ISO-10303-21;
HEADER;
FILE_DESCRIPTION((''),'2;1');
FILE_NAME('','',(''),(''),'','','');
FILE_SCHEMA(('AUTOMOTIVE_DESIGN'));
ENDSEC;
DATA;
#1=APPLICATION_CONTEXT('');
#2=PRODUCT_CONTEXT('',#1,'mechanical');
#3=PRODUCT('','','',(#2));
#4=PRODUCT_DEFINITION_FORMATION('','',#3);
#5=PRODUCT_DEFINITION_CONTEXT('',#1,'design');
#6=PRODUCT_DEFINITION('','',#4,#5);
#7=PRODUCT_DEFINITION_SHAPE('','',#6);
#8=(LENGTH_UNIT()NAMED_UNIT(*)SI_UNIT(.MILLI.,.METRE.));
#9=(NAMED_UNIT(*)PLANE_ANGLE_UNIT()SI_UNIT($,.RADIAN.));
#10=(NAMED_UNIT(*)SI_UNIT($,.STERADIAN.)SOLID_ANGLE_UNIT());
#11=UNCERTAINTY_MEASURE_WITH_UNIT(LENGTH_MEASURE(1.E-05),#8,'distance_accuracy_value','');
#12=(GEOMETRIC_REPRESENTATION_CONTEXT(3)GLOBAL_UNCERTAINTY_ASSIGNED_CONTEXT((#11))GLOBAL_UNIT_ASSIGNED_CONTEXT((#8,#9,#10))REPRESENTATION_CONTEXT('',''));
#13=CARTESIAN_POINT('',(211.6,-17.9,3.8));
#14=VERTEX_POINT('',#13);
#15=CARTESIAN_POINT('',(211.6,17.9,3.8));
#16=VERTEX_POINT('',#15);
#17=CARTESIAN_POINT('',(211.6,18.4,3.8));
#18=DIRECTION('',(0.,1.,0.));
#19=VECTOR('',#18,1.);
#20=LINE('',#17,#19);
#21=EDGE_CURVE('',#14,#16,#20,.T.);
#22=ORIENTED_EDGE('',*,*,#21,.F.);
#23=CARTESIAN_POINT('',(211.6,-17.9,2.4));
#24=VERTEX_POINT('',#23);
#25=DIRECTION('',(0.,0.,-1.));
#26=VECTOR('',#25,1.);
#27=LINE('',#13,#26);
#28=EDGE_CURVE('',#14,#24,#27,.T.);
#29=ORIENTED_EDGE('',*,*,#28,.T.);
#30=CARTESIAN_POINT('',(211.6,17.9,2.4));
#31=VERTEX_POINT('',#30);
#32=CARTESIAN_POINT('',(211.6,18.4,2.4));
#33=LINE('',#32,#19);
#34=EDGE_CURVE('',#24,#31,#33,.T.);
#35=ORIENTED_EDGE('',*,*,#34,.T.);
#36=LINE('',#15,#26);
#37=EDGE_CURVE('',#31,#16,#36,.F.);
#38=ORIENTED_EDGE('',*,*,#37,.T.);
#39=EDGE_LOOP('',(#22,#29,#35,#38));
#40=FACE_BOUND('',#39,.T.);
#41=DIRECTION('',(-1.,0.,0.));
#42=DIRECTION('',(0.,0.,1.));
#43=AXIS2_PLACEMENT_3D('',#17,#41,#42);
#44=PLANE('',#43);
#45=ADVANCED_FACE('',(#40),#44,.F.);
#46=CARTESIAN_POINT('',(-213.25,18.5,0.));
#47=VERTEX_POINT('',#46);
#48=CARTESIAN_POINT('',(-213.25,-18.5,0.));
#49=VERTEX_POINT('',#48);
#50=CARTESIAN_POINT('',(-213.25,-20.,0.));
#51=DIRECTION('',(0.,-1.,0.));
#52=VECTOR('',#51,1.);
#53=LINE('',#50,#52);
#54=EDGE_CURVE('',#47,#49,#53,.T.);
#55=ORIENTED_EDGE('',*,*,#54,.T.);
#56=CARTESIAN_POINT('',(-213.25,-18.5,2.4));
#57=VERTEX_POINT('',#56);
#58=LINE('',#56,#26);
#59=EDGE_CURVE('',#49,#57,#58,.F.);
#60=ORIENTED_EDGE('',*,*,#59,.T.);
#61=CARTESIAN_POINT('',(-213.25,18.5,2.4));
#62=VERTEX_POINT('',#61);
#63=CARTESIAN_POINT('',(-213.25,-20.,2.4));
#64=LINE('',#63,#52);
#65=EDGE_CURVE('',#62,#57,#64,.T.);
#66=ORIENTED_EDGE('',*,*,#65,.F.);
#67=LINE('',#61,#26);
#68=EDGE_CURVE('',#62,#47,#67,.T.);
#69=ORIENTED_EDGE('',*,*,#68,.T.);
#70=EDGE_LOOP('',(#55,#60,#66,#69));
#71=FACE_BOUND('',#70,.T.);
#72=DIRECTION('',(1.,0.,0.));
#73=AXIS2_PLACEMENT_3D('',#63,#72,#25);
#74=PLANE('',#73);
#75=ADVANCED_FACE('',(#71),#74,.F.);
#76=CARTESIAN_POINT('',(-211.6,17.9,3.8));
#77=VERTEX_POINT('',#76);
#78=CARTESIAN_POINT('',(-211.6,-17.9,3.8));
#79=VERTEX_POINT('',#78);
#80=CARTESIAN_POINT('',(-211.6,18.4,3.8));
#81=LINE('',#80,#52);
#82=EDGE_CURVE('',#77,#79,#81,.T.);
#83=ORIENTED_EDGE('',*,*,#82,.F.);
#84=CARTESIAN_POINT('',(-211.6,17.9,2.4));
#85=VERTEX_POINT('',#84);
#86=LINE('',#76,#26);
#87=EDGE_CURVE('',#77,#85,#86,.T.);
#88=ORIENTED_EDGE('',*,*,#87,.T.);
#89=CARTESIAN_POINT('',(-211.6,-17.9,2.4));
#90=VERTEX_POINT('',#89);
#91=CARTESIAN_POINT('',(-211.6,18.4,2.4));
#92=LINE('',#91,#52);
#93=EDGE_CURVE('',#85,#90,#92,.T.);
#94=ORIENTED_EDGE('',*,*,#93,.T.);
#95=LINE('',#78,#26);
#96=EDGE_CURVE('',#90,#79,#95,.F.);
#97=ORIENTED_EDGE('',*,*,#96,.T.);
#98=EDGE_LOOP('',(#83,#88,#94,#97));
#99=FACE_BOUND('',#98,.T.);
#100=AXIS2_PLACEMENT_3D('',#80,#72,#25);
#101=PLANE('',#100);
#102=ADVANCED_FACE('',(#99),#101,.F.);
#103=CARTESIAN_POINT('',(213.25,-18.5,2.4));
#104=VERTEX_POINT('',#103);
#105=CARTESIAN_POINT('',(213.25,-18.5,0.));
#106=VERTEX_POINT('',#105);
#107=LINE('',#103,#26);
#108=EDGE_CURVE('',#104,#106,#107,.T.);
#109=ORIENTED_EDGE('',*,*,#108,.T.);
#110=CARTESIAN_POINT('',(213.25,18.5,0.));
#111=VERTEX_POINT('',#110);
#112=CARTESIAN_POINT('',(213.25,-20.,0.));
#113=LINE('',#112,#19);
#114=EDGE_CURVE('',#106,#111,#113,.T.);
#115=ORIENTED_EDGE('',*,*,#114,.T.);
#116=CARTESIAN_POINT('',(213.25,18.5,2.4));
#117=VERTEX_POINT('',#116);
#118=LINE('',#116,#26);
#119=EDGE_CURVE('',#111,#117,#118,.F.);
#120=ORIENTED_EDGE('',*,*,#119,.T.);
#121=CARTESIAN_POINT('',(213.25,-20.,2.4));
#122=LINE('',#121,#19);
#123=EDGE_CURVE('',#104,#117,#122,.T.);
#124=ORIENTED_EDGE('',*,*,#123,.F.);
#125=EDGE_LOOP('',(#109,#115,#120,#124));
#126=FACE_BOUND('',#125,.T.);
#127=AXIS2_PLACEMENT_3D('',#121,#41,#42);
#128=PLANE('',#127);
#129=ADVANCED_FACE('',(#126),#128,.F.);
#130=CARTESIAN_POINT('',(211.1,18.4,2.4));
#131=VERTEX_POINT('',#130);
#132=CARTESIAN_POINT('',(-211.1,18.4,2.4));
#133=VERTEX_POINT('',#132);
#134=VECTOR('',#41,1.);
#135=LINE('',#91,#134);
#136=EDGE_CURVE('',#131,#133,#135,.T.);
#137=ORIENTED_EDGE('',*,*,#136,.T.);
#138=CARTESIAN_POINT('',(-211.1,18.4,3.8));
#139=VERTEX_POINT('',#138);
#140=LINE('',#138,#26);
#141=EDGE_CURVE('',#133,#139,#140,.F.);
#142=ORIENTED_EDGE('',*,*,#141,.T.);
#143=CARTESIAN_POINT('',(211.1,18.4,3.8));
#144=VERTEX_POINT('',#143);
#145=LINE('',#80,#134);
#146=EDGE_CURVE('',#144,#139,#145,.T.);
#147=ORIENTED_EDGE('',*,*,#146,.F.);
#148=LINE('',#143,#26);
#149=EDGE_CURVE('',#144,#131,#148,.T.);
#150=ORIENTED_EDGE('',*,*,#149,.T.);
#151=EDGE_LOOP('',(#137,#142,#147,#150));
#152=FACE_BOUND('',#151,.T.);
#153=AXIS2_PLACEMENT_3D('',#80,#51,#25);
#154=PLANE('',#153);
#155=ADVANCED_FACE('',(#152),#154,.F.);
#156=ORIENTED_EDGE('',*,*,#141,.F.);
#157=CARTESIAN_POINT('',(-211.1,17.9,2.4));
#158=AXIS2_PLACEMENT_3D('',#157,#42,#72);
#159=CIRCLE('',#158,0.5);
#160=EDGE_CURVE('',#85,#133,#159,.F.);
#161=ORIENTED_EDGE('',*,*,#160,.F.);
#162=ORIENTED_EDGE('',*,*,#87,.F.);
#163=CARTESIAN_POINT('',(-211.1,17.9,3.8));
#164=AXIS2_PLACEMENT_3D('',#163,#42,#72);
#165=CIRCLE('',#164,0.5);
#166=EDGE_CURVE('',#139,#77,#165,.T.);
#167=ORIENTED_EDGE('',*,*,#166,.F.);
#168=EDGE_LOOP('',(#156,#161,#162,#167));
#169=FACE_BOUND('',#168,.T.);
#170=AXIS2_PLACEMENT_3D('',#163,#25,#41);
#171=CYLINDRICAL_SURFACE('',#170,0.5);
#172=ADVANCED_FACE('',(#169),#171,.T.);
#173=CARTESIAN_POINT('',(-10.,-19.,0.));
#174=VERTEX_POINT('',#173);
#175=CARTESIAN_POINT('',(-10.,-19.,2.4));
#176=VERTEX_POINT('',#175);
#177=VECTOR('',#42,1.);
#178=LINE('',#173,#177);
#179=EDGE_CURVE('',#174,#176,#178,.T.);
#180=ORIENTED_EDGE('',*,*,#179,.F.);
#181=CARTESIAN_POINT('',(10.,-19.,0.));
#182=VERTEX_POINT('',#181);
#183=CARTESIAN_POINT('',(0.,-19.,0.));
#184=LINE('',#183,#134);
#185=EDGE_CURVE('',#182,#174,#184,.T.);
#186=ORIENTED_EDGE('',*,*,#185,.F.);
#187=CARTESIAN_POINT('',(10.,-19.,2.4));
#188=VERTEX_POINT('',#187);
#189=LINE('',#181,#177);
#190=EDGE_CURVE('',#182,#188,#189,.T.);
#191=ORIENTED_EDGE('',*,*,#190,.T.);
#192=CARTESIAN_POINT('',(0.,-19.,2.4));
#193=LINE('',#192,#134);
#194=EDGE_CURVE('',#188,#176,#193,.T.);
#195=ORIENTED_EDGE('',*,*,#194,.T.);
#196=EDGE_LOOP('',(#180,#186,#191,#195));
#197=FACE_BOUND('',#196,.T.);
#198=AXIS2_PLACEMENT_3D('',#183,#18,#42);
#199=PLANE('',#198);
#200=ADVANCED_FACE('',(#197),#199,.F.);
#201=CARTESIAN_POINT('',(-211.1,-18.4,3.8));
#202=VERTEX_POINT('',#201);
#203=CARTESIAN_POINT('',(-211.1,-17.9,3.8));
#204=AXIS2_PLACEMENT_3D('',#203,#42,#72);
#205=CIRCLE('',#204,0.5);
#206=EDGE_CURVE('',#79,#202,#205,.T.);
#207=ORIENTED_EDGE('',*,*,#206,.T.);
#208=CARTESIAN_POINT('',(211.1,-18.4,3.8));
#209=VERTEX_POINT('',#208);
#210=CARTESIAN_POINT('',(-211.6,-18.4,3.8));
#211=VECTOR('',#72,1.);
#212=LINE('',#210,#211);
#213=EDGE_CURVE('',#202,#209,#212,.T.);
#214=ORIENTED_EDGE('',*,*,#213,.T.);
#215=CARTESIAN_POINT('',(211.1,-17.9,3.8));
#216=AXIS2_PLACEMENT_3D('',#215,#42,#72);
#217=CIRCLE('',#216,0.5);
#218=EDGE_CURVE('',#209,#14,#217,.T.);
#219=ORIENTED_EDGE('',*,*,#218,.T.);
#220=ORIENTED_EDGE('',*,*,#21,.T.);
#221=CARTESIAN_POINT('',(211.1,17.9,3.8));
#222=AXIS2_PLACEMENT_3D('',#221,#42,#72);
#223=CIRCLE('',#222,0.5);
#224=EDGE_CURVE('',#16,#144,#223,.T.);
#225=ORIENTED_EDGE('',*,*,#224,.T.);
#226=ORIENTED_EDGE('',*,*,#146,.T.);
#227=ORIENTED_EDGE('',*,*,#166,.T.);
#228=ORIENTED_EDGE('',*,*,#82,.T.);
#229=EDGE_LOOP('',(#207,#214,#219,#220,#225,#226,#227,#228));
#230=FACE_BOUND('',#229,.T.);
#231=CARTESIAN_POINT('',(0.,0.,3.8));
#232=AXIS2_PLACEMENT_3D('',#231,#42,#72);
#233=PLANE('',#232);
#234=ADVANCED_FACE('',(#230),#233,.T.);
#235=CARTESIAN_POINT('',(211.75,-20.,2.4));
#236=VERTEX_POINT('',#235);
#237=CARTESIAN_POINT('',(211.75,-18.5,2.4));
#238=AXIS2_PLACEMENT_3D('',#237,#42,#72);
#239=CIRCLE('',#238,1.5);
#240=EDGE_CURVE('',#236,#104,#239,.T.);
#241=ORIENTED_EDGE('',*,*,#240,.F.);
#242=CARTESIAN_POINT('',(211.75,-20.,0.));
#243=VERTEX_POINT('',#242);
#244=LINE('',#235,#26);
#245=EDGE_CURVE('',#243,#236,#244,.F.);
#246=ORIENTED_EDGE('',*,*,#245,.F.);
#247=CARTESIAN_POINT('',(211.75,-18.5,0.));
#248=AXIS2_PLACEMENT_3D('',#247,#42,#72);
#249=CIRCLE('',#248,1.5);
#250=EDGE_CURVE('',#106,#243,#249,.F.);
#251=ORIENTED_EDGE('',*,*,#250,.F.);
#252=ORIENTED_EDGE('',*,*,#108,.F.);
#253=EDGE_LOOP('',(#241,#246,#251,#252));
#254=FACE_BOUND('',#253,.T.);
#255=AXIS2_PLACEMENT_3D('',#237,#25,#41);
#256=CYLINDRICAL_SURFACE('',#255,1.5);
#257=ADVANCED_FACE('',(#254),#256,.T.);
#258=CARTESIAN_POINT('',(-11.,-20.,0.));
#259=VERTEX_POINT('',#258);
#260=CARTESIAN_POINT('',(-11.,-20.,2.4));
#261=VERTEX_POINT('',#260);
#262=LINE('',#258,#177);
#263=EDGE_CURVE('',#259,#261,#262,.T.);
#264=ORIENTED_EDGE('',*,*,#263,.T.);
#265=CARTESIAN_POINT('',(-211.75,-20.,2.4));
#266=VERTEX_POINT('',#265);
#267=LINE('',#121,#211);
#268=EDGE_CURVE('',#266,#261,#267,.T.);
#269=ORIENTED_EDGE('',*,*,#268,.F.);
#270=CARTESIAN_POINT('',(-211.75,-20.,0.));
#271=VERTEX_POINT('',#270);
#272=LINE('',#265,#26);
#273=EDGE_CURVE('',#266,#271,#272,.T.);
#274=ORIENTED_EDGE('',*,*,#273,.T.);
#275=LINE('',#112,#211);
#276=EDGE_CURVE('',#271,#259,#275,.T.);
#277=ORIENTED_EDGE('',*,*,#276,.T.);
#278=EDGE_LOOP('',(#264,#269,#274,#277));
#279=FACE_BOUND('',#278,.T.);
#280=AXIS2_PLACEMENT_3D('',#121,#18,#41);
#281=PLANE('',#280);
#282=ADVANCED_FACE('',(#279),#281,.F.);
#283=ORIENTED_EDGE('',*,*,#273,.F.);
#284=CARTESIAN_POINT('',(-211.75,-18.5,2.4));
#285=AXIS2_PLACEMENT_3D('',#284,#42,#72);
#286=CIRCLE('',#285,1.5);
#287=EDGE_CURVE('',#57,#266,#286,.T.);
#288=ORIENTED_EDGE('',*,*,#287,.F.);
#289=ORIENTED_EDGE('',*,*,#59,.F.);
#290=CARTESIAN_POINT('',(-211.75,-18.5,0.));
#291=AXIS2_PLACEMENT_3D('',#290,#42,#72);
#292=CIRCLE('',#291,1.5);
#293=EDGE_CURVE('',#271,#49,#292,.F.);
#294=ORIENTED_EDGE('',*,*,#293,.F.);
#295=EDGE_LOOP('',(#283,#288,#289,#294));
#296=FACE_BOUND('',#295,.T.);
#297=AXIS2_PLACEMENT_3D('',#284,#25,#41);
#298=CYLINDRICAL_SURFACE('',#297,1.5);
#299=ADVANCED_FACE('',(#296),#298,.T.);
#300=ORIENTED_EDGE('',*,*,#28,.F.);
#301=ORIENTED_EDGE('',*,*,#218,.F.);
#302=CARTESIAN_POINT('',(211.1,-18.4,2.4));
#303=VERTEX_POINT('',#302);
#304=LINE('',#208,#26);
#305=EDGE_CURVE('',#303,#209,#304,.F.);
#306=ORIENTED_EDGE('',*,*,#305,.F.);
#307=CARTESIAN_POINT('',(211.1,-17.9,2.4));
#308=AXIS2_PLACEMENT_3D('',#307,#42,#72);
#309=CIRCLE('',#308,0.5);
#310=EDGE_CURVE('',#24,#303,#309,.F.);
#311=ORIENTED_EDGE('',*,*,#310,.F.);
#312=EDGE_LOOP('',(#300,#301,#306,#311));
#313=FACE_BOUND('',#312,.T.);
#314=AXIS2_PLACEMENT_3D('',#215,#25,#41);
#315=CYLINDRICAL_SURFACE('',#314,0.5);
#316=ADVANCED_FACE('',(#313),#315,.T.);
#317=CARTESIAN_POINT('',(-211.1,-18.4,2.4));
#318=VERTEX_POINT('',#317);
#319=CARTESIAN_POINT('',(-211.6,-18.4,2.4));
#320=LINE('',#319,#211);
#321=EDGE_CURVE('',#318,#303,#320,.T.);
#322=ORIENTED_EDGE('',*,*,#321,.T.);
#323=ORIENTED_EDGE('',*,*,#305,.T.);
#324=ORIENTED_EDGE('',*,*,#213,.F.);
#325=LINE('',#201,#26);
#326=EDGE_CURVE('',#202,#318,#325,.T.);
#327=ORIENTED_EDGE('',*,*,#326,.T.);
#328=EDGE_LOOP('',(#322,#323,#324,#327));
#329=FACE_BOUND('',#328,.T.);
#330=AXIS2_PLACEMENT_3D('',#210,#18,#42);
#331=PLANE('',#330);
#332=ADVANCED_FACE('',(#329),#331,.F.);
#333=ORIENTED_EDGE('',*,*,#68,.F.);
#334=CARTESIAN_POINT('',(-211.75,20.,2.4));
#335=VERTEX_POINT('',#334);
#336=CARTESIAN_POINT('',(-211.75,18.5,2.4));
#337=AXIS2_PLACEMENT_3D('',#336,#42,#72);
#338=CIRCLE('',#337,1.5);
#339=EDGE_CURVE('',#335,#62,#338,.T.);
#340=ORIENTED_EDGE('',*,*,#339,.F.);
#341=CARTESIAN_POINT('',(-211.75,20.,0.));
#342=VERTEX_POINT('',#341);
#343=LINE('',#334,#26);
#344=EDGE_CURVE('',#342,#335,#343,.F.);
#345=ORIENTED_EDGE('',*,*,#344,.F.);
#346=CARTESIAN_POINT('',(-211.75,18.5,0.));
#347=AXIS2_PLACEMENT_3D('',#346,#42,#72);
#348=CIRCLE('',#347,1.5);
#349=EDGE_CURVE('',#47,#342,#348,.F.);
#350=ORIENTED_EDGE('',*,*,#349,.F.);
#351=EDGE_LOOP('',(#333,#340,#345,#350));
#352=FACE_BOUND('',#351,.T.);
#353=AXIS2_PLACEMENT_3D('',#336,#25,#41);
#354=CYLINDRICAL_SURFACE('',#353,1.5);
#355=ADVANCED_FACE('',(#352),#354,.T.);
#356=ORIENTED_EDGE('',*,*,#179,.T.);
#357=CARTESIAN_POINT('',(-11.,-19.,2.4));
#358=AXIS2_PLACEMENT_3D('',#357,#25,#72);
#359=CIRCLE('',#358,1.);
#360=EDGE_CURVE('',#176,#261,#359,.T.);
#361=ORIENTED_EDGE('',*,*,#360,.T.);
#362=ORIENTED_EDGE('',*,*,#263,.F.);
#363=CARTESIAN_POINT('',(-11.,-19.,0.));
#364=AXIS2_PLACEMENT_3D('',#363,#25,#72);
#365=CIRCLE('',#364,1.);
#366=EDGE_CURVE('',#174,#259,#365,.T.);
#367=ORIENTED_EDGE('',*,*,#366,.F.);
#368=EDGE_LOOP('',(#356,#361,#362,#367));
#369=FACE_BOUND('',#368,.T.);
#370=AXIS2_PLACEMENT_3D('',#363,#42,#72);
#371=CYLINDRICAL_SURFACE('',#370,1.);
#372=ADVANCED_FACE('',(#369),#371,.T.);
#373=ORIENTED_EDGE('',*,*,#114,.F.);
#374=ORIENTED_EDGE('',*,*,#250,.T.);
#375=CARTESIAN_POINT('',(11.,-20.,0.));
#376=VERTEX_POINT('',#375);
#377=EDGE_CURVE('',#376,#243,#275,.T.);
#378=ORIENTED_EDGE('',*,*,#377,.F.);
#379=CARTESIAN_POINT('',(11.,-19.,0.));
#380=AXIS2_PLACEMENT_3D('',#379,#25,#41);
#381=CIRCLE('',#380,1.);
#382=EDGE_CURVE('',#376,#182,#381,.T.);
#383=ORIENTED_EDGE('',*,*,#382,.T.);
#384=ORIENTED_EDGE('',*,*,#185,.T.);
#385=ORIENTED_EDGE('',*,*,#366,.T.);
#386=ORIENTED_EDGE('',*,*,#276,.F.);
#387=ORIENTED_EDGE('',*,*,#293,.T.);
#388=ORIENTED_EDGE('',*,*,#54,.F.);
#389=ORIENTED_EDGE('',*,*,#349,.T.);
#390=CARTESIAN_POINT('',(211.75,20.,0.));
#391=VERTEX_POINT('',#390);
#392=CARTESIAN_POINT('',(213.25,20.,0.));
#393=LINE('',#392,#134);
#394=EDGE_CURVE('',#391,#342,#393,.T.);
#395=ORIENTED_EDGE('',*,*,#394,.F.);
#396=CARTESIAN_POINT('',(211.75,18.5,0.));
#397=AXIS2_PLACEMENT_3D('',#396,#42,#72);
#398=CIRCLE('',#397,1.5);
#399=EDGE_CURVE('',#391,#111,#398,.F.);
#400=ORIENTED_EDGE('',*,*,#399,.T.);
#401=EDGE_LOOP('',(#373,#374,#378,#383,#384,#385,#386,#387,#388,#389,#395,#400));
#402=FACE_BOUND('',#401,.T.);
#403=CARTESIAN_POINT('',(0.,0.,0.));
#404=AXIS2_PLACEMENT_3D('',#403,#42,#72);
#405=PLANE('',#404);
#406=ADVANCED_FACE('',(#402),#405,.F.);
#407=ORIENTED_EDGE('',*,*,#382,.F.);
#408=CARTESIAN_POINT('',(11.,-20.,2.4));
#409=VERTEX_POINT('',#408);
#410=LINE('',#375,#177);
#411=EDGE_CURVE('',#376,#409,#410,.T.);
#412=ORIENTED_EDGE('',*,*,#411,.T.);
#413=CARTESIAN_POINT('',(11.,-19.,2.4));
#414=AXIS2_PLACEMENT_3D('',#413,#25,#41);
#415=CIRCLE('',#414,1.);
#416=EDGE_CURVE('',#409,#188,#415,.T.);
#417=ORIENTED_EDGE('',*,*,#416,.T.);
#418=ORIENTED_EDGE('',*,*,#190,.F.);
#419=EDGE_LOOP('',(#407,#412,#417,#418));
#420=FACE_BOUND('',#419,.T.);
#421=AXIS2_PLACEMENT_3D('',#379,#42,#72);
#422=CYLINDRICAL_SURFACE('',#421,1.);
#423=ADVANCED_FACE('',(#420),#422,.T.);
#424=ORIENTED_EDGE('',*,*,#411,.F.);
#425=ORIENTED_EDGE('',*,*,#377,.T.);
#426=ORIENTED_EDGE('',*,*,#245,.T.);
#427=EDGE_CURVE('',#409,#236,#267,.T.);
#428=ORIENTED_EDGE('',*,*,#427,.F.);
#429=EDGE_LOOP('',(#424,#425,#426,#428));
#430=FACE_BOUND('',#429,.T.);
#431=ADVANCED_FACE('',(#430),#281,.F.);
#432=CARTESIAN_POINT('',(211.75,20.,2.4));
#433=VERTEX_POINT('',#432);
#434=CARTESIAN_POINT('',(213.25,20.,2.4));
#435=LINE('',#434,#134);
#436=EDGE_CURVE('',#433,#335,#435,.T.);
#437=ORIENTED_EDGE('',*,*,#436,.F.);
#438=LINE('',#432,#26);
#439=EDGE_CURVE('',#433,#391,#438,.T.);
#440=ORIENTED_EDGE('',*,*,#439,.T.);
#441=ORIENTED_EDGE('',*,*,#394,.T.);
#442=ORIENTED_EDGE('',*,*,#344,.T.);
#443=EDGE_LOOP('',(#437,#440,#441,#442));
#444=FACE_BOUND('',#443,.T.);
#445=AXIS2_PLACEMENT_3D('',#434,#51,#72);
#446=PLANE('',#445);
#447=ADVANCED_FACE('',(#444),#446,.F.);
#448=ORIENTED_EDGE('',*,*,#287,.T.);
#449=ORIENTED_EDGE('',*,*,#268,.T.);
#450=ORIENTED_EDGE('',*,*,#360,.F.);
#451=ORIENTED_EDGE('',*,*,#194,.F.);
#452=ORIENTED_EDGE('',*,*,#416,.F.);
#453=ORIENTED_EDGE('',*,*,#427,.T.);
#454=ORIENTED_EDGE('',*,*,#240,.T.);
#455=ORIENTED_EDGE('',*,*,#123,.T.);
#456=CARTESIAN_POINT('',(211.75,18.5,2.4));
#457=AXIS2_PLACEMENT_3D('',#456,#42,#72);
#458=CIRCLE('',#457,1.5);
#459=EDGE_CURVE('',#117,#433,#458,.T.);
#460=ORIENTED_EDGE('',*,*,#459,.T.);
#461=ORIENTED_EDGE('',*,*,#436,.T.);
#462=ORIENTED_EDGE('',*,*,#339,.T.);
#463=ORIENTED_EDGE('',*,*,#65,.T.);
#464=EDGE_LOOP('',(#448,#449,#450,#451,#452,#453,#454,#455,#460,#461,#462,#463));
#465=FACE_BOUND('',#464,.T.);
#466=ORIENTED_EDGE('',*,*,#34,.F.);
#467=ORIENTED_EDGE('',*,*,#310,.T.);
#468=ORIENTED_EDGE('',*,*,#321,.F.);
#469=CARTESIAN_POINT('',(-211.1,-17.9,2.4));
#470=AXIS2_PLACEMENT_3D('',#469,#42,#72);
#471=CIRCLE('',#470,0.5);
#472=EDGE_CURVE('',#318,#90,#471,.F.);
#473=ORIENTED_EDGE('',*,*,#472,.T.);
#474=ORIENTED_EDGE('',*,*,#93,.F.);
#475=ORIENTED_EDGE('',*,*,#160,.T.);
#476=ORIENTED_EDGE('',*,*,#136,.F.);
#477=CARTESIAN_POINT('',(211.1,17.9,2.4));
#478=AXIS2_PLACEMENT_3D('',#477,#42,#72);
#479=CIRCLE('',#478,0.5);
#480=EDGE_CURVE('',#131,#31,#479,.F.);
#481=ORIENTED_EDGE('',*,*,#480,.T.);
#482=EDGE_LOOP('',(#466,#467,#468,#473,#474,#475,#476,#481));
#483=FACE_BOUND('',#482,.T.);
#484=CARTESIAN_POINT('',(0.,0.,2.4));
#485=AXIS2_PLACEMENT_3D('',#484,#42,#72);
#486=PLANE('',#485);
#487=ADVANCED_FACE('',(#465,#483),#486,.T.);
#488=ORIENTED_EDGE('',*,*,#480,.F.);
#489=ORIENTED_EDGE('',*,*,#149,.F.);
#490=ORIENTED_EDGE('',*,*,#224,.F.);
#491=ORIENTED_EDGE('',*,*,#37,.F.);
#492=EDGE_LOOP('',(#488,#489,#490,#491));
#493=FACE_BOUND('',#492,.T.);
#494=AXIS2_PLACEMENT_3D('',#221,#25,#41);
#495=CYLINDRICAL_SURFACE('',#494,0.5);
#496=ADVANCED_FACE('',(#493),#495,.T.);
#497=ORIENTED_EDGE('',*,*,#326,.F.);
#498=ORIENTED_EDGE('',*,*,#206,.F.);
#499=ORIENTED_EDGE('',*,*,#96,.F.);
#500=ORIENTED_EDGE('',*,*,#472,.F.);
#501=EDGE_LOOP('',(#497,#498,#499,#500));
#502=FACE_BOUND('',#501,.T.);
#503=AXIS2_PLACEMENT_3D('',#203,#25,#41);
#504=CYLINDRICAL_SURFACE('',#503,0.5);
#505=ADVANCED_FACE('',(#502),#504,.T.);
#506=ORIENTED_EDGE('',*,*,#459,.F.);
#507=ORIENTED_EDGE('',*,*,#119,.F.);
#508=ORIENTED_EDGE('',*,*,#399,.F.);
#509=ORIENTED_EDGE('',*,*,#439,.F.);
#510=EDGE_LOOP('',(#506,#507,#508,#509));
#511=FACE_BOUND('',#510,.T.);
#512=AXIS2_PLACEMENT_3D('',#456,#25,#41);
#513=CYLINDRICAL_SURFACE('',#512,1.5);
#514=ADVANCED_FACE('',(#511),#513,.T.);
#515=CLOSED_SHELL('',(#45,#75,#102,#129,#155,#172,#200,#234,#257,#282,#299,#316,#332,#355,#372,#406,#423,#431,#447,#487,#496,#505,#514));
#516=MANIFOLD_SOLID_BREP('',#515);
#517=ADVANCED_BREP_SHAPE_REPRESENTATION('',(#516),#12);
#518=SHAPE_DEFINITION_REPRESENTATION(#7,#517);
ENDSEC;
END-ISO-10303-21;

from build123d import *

# Parameters (mm, degrees)
SKICA1_W                 = 426.5
SKICA1_H                 = 40
P_IDAT_VYSUNUT_M1_DEPTH  = 2.4
SKICA2_W                 = 423.2
SKICA2_H                 = 36.8
P_IDAT_VYSUNUT_M2_DEPTH  = 1.4
ZAOBLIT1_R               = 1.5
ZAOBLIT2_R               = 0.5
ODEBRAT_VYSUNUT_M1_DEPTH = 215.199258869


with BuildPart() as part:
    # Skica1 → Přidat vysunutím1 (new body)
    with BuildSketch(Plane.XY):
        Rectangle(SKICA1_W, SKICA1_H)
    extrude(amount=P_IDAT_VYSUNUT_M1_DEPTH)

    # Skica2 → Přidat vysunutím2 (add)
    with BuildSketch(Plane.XY.offset(2.4)):
        Rectangle(SKICA2_W, SKICA2_H)
    extrude(amount=P_IDAT_VYSUNUT_M2_DEPTH)

    # Zaoblit1
    zaoblit1_edges = [part.edges().sort_by_distance(p)[0] for p in [
        (-213.25, 20, 1.2),
        (213.25, 20, 1.2),
        (213.25, -20, 1.2),
        (-213.25, -20, 1.2),
    ]]
    fillet(zaoblit1_edges, radius=ZAOBLIT1_R)

    # Zaoblit2
    zaoblit2_edges = [part.edges().sort_by_distance(p)[0] for p in [
        (211.6, -18.4, 3.1),
        (211.6, 18.4, 3.1),
        (-211.6, 18.4, 3.1),
        (-211.6, -18.4, 3.1),
    ]]
    fillet(zaoblit2_edges, radius=ZAOBLIT2_R)

    # Skica3 → Odebrat vysunutím1 (cut, through all)
    with BuildSketch(Plane.XY.offset(2.4)):
        with BuildLine():
            Line((0, -19), (-10, -19))
            ThreePointArc((-10, -19), (-10.292893219, -19.707106781), (-11, -20))
            Line((-11, -20), (-11, -20.116946074))
            Line((-11, -20.116946074), (11, -20.116946074))
            Line((11, -20.116946074), (11, -20))
            ThreePointArc((11, -20), (10.292893219, -19.707106781), (10, -19))
            Line((10, -19), (0, -19))
        make_face()
    extrude(amount=-ODEBRAT_VYSUNUT_M1_DEPTH, mode=Mode.SUBTRACT)


solid = part.part
